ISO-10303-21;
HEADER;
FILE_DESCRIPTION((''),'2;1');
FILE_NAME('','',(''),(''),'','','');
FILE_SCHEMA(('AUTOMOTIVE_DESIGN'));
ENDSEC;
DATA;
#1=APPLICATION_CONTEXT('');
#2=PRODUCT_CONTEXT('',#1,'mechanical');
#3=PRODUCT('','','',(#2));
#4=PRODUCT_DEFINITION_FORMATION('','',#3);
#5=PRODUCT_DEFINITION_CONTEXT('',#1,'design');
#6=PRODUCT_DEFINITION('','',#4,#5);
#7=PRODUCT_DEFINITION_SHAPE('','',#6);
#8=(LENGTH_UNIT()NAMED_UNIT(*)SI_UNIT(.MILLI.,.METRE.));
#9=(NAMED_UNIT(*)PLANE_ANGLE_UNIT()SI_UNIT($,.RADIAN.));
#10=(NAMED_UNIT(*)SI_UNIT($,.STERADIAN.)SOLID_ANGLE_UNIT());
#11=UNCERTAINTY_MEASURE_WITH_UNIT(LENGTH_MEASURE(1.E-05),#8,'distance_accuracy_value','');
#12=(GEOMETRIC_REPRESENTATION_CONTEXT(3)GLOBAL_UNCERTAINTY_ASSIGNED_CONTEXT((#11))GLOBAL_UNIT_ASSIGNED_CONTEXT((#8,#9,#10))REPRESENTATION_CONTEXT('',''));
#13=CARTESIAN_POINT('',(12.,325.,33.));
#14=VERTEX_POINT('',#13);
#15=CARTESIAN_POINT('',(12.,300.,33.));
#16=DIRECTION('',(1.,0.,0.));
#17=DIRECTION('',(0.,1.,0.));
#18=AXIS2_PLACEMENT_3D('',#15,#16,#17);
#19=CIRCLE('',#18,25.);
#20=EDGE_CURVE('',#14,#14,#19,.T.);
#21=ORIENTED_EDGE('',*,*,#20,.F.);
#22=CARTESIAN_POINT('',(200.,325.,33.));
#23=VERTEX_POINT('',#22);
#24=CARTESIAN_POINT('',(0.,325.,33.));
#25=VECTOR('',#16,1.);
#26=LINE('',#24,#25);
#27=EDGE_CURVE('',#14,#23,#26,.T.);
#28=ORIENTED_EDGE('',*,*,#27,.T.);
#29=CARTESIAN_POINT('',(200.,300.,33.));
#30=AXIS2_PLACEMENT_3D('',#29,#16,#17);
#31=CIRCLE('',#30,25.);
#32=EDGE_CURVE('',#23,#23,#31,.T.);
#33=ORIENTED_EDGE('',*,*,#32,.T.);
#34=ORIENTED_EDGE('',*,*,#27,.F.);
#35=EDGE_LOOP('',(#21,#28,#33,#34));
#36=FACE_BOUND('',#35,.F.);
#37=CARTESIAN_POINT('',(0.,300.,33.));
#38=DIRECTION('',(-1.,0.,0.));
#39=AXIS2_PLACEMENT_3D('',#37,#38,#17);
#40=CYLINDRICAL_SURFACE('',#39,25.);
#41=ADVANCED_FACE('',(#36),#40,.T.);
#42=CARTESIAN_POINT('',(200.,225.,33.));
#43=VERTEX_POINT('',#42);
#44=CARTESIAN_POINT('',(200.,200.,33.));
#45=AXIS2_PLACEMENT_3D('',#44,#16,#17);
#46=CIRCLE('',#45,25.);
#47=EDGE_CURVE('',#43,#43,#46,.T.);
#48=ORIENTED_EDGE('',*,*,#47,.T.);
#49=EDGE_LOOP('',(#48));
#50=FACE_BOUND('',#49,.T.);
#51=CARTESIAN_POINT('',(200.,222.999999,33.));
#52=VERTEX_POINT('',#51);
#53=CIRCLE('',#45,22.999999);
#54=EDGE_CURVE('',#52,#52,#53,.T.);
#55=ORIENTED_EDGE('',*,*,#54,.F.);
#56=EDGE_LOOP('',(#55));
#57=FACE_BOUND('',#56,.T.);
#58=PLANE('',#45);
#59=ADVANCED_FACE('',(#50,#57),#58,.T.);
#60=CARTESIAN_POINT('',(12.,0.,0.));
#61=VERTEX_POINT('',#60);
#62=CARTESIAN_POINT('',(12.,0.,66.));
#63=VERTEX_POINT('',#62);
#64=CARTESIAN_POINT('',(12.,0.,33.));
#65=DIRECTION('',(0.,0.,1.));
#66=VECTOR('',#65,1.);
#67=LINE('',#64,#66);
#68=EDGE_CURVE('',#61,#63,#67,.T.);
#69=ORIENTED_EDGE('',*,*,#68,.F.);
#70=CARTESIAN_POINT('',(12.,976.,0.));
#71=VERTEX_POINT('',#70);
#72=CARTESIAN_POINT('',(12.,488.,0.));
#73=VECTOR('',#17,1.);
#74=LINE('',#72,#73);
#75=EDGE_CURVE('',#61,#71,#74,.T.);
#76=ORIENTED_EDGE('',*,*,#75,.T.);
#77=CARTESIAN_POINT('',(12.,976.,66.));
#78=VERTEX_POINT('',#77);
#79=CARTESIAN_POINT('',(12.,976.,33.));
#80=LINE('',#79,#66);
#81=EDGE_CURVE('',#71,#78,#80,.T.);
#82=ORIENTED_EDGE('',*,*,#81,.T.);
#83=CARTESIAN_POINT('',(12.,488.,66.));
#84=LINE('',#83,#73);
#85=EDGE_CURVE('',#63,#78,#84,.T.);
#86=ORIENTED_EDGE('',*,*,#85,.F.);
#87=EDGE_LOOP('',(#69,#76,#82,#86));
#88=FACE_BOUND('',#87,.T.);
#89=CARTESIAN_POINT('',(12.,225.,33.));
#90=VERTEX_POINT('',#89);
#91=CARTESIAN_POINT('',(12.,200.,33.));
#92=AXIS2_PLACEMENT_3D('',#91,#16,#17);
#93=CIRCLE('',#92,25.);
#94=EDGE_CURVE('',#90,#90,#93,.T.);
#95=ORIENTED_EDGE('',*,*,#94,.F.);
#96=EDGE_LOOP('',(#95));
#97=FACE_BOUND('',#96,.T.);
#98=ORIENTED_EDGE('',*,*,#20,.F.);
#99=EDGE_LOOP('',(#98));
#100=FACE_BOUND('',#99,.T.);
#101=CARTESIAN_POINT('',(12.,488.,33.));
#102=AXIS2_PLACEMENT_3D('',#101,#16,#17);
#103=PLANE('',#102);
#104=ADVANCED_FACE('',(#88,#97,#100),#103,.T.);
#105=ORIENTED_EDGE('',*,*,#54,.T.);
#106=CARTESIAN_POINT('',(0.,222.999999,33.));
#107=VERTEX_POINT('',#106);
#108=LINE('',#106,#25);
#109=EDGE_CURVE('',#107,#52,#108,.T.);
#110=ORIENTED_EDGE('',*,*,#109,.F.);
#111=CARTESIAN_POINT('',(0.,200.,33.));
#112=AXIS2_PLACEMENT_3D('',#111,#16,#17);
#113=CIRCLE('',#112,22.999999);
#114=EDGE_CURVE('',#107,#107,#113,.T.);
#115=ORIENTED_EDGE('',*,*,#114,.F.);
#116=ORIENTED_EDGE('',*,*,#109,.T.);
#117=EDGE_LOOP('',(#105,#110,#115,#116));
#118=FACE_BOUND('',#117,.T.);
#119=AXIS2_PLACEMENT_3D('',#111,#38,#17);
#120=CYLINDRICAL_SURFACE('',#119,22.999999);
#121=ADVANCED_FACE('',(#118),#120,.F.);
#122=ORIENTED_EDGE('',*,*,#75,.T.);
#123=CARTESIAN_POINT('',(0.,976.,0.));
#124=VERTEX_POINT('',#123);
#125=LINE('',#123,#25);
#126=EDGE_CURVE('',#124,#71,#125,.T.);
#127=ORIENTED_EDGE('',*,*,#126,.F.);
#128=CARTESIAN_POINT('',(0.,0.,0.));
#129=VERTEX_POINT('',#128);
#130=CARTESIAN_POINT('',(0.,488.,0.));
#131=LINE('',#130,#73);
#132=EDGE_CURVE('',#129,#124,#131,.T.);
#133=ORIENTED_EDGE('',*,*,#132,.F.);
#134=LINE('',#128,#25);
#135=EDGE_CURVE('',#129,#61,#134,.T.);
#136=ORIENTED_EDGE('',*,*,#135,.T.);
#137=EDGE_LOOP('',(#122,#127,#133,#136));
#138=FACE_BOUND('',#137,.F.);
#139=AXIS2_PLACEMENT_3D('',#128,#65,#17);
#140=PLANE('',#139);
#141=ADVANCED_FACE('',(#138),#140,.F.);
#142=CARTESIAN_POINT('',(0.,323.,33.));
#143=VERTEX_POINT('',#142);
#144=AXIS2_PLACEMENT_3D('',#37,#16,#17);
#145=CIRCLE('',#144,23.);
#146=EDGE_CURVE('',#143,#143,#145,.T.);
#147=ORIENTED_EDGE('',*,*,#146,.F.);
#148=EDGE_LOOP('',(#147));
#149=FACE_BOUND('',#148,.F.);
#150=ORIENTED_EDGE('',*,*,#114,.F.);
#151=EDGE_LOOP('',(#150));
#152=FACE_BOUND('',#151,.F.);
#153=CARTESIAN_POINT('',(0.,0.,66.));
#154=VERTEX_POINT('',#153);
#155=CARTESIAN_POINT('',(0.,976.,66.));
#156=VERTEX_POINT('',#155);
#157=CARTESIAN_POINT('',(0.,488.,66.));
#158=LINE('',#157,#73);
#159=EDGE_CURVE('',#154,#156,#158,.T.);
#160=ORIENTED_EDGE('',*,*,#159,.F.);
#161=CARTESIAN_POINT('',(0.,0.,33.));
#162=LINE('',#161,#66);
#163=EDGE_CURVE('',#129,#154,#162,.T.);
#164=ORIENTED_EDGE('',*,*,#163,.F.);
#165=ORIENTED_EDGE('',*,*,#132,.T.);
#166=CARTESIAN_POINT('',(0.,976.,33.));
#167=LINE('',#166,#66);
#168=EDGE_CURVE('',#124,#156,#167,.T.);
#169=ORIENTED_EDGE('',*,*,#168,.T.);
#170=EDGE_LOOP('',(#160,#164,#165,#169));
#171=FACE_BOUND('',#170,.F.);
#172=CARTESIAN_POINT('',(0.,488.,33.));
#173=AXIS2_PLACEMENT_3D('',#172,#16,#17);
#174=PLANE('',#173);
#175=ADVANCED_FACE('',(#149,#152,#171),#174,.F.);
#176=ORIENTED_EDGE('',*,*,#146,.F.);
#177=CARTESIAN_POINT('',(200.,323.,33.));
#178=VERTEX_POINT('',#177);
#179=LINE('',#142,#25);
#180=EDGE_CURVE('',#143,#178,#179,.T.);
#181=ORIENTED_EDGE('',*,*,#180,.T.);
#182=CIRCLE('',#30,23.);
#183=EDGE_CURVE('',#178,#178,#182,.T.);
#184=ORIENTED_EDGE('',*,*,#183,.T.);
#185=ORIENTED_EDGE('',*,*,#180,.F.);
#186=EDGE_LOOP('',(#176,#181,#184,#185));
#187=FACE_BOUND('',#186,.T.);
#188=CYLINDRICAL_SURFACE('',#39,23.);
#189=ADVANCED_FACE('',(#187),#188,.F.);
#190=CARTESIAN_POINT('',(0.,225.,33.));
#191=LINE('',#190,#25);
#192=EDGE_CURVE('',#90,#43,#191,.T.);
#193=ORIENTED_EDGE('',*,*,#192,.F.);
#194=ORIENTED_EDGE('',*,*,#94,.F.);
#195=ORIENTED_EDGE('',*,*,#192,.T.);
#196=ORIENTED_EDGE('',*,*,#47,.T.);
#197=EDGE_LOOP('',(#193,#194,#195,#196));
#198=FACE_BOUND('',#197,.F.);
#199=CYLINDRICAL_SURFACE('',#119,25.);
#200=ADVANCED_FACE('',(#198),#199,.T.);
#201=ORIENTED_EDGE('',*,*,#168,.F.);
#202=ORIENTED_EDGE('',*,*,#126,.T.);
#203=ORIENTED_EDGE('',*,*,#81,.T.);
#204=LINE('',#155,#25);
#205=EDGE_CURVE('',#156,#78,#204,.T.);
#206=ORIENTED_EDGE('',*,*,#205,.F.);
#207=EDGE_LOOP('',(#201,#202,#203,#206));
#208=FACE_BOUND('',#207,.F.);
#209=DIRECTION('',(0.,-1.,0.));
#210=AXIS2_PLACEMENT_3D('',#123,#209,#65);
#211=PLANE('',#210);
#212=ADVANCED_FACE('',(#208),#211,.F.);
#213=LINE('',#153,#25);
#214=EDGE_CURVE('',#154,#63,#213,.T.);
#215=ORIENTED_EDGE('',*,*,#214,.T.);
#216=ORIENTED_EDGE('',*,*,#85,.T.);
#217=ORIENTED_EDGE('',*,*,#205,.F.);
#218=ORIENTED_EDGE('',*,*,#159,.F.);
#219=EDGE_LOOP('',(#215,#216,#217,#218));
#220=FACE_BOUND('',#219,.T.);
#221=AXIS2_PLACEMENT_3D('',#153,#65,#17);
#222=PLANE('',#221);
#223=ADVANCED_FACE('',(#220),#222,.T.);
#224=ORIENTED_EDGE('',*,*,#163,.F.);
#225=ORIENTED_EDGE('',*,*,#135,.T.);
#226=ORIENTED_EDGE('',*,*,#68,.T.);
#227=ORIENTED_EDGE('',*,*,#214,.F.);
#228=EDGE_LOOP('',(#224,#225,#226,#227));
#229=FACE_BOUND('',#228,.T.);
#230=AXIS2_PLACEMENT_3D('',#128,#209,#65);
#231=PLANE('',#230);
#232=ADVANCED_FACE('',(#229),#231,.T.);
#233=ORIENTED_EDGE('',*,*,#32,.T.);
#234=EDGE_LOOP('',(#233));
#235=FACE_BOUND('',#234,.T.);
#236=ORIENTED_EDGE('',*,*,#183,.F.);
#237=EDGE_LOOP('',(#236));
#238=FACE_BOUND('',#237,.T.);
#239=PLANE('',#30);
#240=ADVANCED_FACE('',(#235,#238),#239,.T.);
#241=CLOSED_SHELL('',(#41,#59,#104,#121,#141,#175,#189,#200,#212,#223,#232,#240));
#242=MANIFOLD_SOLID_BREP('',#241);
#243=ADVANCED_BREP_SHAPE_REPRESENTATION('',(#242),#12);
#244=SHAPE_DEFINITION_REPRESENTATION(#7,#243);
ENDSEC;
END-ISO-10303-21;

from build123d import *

# Parameters (mm, degrees)
F0_W     = 976
F0_H     = 66
F0_R     = 25
F1_DEPTH = 12
F0_R_2   = 22.999999
F2_DEPTH = 200
F0_R_3   = 23
F3_DEPTH = 200


with BuildPart() as f1:
    # F0 (on Right) → F1 (new body)
    with BuildSketch(Plane.YZ):
        with Locations((488, 33)):
            Rectangle(F0_W, F0_H)
        with Locations((200, 33)):
            Circle(F0_R, mode=Mode.SUBTRACT)
        with Locations((300, 33)):
            Circle(F0_R, mode=Mode.SUBTRACT)
    extrude(amount=F1_DEPTH)

    # F0 (on Right) → F2 (join)
    with BuildSketch(Plane.YZ):
        with Locations((200, 33)):
            Circle(F0_R)
        with Locations((200, 33)):
            Circle(F0_R_2, mode=Mode.SUBTRACT)
    extrude(amount=F2_DEPTH)

    # F0 (on Right) → F3 (join)
    with BuildSketch(Plane.YZ):
        with Locations((300, 33)):
            Circle(F0_R)
        with Locations((300, 33)):
            Circle(F0_R_3, mode=Mode.SUBTRACT)
    extrude(amount=F3_DEPTH)


solid = f1.part
